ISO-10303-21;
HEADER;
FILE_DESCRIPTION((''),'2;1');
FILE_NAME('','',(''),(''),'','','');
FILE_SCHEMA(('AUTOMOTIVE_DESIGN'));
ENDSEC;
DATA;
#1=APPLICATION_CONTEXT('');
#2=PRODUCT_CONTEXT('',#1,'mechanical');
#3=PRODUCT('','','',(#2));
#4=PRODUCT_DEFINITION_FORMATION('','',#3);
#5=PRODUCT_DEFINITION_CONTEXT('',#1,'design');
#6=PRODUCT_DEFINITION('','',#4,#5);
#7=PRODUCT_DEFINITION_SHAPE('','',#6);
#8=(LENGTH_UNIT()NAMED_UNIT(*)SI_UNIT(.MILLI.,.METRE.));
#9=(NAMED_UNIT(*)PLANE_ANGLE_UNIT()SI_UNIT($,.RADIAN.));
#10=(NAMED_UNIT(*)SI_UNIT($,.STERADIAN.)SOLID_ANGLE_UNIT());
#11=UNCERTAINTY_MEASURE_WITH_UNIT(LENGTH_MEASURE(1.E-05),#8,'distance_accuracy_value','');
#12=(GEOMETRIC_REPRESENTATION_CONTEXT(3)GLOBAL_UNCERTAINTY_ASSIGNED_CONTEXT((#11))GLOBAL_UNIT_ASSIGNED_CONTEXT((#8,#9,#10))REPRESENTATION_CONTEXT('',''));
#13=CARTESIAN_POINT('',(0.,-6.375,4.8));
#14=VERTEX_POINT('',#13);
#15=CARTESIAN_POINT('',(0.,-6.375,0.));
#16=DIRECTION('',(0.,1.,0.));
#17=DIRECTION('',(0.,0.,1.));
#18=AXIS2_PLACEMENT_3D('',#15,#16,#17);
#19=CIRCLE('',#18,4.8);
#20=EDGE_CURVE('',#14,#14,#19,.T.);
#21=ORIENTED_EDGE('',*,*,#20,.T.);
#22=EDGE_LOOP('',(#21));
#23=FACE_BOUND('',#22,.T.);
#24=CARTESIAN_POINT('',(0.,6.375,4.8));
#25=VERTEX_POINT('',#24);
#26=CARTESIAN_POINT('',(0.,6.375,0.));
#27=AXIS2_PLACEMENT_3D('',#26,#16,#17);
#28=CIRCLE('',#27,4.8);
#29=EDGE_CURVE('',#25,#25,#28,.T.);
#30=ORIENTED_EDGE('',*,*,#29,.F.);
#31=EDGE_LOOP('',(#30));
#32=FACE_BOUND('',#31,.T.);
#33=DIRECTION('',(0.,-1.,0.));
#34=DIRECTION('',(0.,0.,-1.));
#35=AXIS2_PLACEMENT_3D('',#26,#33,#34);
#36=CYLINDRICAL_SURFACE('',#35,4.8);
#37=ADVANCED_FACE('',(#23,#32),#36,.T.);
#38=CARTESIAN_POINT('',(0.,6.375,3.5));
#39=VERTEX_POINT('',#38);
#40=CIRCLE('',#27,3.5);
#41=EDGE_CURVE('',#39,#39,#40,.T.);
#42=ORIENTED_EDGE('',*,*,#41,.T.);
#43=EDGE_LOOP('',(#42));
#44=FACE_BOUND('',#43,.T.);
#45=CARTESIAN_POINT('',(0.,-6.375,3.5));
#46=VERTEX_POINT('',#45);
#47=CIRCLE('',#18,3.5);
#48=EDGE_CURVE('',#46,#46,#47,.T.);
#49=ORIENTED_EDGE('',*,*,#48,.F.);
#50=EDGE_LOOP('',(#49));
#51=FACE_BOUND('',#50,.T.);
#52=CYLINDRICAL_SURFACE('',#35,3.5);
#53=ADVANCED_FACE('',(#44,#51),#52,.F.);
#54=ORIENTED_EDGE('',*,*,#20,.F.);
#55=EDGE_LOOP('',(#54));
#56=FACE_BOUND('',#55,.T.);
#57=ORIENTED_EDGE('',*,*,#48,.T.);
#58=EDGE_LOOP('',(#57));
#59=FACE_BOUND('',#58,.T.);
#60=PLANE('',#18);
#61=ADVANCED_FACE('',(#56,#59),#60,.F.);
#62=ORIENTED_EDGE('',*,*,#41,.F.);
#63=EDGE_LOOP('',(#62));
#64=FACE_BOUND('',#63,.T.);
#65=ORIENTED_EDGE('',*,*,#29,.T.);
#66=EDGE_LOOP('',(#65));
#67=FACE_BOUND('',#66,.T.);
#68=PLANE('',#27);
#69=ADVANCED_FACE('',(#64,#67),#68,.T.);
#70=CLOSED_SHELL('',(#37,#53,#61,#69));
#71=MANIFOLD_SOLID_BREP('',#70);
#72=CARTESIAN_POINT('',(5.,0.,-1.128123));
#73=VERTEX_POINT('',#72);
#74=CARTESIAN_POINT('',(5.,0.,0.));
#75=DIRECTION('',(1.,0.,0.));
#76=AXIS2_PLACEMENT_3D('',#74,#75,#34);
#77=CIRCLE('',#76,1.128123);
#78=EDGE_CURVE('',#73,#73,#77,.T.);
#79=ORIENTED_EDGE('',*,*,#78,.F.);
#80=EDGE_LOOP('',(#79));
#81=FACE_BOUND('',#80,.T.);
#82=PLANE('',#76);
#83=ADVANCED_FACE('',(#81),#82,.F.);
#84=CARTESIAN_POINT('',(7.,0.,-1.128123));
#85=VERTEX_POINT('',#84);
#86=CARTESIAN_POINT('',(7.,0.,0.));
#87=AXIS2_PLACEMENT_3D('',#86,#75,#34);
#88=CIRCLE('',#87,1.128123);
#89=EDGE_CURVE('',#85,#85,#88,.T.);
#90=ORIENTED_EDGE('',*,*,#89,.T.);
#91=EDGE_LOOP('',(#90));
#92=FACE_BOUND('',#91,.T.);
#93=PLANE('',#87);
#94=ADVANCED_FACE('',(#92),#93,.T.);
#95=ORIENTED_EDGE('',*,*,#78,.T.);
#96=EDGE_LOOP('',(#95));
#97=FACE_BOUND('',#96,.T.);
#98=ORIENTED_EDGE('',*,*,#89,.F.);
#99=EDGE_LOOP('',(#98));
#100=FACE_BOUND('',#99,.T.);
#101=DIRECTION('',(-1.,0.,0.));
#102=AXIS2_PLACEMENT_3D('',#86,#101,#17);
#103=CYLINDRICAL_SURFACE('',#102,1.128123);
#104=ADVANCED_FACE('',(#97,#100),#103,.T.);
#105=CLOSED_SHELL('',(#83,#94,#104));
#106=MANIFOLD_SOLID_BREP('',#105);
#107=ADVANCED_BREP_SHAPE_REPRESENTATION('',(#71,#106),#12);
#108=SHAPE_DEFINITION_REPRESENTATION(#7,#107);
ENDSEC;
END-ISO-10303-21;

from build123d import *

# Parameters (mm, degrees)
SKETCH1_R           = 4.8
SKETCH1_R_2         = 3.5
BOSS_EXTRUDE1_DEPTH = 6.375
BOSS_EXTRUDE2_START = 5
SKETCH2_R           = 1.128123291
BOSS_EXTRUDE2_DEPTH = 2


with BuildPart() as part:
    # Sketch1 → Boss-Extrude1 (new body, symmetric)
    with BuildSketch(Plane(origin=(0, 0, 0), x_dir=(1, 0, 0), z_dir=(0, 1, 0))):
        Circle(SKETCH1_R)
        Circle(SKETCH1_R_2, mode=Mode.SUBTRACT)
    extrude(amount=BOSS_EXTRUDE1_DEPTH, both=True)


with BuildPart() as body_2:
    # Sketch2 → Boss-Extrude2 (new body)
    with BuildSketch(Plane(origin=(0, 0, 0), x_dir=(0, 0, -1), z_dir=(1, 0, 0)).offset(BOSS_EXTRUDE2_START)):
        Circle(SKETCH2_R)
    extrude(amount=BOSS_EXTRUDE2_DEPTH)


solid = Compound([part.part, body_2.part])
